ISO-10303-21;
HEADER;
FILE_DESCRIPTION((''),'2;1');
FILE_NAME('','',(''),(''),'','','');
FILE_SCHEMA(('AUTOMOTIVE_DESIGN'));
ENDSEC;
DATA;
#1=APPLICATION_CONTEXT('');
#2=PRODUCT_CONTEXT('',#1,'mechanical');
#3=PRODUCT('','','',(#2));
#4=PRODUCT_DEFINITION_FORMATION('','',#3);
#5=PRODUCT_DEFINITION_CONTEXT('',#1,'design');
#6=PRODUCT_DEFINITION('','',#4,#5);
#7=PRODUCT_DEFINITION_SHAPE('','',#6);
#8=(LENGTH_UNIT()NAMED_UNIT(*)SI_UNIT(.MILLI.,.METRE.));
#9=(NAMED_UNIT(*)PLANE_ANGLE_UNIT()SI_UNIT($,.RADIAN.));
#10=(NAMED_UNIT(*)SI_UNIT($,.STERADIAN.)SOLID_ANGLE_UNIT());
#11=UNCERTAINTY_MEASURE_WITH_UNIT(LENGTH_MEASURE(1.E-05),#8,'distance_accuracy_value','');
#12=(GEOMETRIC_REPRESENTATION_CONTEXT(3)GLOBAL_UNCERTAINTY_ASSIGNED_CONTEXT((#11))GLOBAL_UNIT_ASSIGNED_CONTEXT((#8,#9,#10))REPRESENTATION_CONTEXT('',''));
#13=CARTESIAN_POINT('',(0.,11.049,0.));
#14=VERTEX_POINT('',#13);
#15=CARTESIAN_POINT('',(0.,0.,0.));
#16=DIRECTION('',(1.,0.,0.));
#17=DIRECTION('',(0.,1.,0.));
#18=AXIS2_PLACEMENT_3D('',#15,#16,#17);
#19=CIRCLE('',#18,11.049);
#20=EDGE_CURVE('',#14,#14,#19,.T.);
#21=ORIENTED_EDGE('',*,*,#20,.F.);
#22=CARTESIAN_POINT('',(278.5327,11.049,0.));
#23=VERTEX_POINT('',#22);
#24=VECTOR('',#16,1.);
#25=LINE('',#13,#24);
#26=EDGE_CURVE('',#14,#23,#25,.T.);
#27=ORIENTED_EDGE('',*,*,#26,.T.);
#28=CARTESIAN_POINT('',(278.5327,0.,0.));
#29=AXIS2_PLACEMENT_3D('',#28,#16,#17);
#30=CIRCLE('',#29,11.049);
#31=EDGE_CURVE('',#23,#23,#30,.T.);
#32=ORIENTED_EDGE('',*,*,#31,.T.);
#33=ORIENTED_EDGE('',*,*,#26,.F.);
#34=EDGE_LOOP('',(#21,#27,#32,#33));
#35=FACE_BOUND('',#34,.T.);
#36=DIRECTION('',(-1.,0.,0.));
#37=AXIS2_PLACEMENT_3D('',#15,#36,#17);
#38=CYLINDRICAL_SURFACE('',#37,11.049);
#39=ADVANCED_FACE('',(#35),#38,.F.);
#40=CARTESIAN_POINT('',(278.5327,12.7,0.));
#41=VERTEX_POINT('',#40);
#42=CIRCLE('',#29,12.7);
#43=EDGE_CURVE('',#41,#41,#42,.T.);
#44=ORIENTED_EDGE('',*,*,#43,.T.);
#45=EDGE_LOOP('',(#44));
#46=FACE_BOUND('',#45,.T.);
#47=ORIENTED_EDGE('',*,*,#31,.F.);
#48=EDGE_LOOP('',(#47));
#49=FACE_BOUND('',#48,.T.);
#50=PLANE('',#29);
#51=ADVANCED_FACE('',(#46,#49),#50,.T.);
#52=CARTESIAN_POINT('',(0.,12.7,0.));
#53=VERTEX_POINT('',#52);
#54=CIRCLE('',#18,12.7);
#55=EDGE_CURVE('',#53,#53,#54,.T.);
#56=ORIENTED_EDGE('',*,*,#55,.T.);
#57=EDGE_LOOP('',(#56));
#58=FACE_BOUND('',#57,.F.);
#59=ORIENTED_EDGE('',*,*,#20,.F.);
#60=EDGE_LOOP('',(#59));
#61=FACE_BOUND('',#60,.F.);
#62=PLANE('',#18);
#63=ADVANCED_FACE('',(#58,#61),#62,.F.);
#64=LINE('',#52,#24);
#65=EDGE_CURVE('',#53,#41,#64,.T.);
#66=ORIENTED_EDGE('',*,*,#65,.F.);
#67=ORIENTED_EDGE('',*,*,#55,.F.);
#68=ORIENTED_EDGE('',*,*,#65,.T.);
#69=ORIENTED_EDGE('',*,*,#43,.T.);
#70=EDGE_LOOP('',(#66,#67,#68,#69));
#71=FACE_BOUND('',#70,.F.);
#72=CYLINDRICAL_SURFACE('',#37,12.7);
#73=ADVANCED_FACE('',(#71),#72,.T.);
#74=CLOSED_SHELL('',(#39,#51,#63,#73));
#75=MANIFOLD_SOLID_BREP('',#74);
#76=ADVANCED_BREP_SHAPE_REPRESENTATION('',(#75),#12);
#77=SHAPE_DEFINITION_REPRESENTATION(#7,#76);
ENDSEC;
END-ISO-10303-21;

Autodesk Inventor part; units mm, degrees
ref_plane "XZ Plane" through (0, 0, 0) normal (0, 1, 0) x (-1, 0, 0)
ref_plane "Start Plane" through (0, 0, 0) normal (1, 0, 0) x (0, 1, 0)
ref_plane "End Plane" through (278.5327, 0, 0) normal (1, 0, 0) x (0, 1, 0)
sketch "Sketch" plane through (0, 0, 0) normal (1, 0, 0) x (0, 1, 0)
  circle A0 centre (0, 0) radius 12.7
  circle A1 centre (0, 0) radius 11.049
  dimension "d0" = 25.4
  dimension "d1" = 1.651
extrude "Body" add sketch "Sketch" along normal up to surface (278.5327 mm away) from surface at 0
sketch "Sketch2" plane through (0, 0, 0) normal (1, 0, 0) x (0, 1, 0)
  line L0 (0, 0) -> (10, 0)
ref_plane "Work Plane3" through (0, 0, 0) normal (0, 0, -1) x (0, 1, 0)
sketch "Sketch3" plane through (0, 0, 0) normal (0, 0, -1) x (0, 1, 0)
  line L0 (-2, 0) -> (12, 0)
  line L1 (-2, 278.5327) -> (12, 278.5327)
  dimension "d9" = 278.5327
equation "\"G_OFFSET_START\" = 0"
equation "\"G_OFFSET_END\" = 0"
equation "\"d5\" = d2 + G_OFFSET_END"
equation "\"G_L\" = d9"
equation "\"d2\" = 278.532745"
properties part number "4130_1x0.065" material "Steel, Alloy"
